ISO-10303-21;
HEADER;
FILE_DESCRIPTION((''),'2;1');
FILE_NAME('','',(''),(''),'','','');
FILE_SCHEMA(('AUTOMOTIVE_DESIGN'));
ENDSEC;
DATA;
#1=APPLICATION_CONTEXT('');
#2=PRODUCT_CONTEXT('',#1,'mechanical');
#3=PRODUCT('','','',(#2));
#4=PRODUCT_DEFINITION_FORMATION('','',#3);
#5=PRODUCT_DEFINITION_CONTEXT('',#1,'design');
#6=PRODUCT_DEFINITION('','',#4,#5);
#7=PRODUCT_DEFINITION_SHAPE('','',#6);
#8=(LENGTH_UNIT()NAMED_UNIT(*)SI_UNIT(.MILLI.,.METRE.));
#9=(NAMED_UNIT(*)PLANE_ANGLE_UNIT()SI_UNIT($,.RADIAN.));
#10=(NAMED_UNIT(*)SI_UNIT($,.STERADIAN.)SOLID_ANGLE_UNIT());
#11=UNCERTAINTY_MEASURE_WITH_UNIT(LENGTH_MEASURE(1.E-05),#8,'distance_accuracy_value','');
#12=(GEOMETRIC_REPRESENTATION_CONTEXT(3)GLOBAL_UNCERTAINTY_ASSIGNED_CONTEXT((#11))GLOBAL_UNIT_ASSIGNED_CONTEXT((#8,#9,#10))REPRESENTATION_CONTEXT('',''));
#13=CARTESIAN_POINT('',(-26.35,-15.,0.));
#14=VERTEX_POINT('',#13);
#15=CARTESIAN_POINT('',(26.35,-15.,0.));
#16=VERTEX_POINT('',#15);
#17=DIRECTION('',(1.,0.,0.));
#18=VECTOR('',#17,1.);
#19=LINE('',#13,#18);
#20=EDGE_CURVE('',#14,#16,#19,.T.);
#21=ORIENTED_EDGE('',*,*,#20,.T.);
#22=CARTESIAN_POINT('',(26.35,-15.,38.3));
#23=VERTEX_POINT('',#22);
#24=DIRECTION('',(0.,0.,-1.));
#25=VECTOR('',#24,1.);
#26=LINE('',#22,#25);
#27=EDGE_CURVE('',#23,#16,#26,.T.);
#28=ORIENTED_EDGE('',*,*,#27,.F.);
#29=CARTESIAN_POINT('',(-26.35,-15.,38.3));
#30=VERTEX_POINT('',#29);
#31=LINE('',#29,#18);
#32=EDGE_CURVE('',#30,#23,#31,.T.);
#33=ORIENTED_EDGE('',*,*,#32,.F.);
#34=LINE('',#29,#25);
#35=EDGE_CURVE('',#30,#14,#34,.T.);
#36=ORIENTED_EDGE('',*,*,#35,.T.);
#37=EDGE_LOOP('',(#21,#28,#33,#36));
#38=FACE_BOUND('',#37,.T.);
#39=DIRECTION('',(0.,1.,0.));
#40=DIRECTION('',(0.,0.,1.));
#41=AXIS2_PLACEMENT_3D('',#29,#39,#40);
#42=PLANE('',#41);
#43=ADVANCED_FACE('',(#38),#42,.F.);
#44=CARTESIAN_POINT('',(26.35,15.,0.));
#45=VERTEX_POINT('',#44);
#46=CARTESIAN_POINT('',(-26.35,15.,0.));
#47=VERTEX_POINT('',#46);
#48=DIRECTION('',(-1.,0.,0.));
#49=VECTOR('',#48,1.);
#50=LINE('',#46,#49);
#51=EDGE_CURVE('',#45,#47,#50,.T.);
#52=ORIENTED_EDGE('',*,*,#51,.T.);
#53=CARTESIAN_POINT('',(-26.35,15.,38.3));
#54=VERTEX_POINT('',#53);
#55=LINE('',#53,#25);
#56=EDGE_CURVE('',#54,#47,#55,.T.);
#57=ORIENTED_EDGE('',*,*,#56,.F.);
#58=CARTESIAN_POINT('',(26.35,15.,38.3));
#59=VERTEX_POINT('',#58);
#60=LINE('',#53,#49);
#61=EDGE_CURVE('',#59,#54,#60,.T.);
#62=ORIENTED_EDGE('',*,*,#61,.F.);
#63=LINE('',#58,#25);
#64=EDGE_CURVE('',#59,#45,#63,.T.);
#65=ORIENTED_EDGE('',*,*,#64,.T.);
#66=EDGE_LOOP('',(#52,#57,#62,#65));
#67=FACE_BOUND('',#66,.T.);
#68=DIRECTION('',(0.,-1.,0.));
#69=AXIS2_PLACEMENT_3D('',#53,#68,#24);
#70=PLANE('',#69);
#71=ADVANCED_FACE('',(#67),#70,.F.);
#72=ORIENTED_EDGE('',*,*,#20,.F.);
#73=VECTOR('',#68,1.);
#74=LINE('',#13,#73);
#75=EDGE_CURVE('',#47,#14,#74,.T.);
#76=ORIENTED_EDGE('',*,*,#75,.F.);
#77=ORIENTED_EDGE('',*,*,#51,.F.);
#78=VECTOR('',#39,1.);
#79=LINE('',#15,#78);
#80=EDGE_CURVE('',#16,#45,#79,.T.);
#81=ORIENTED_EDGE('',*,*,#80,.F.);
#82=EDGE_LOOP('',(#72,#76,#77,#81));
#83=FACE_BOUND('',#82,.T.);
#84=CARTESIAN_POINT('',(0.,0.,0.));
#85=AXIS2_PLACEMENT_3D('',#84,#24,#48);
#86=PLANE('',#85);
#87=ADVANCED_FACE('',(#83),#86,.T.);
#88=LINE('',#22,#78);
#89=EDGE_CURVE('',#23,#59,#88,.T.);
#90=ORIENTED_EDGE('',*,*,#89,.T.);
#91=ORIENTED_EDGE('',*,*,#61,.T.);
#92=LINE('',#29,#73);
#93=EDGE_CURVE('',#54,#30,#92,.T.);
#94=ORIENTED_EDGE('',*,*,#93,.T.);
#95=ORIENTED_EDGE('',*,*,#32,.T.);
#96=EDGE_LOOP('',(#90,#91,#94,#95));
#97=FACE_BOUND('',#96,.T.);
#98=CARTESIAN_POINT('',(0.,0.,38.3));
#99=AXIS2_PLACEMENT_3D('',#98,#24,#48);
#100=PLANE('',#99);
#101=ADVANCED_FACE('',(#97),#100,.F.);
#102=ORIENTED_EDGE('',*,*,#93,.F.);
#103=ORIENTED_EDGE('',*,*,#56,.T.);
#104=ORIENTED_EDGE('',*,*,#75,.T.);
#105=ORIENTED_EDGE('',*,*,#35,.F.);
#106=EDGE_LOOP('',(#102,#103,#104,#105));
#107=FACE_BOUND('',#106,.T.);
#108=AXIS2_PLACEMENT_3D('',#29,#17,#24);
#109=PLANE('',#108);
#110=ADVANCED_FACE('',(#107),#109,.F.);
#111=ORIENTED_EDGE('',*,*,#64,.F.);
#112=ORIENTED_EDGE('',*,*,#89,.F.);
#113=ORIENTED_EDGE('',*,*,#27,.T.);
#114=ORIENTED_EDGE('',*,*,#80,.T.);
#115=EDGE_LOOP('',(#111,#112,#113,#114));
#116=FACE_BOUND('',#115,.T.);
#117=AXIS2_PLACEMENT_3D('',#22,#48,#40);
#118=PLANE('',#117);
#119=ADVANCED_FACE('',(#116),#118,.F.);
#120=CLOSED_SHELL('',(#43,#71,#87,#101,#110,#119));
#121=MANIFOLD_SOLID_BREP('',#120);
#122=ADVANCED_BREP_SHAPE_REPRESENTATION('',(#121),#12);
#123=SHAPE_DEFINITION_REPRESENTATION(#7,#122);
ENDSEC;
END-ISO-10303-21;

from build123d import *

# Parameters (mm, degrees)
SKETCH1_W      = 52.7
SKETCH1_H      = 30
ENVELOPE_DEPTH = 38.3


with BuildPart() as part:
    # Sketch1 → Envelope (new body)
    with BuildSketch(Plane.XY):
        Rectangle(SKETCH1_W, SKETCH1_H)
    extrude(amount=ENVELOPE_DEPTH)


solid = part.part
